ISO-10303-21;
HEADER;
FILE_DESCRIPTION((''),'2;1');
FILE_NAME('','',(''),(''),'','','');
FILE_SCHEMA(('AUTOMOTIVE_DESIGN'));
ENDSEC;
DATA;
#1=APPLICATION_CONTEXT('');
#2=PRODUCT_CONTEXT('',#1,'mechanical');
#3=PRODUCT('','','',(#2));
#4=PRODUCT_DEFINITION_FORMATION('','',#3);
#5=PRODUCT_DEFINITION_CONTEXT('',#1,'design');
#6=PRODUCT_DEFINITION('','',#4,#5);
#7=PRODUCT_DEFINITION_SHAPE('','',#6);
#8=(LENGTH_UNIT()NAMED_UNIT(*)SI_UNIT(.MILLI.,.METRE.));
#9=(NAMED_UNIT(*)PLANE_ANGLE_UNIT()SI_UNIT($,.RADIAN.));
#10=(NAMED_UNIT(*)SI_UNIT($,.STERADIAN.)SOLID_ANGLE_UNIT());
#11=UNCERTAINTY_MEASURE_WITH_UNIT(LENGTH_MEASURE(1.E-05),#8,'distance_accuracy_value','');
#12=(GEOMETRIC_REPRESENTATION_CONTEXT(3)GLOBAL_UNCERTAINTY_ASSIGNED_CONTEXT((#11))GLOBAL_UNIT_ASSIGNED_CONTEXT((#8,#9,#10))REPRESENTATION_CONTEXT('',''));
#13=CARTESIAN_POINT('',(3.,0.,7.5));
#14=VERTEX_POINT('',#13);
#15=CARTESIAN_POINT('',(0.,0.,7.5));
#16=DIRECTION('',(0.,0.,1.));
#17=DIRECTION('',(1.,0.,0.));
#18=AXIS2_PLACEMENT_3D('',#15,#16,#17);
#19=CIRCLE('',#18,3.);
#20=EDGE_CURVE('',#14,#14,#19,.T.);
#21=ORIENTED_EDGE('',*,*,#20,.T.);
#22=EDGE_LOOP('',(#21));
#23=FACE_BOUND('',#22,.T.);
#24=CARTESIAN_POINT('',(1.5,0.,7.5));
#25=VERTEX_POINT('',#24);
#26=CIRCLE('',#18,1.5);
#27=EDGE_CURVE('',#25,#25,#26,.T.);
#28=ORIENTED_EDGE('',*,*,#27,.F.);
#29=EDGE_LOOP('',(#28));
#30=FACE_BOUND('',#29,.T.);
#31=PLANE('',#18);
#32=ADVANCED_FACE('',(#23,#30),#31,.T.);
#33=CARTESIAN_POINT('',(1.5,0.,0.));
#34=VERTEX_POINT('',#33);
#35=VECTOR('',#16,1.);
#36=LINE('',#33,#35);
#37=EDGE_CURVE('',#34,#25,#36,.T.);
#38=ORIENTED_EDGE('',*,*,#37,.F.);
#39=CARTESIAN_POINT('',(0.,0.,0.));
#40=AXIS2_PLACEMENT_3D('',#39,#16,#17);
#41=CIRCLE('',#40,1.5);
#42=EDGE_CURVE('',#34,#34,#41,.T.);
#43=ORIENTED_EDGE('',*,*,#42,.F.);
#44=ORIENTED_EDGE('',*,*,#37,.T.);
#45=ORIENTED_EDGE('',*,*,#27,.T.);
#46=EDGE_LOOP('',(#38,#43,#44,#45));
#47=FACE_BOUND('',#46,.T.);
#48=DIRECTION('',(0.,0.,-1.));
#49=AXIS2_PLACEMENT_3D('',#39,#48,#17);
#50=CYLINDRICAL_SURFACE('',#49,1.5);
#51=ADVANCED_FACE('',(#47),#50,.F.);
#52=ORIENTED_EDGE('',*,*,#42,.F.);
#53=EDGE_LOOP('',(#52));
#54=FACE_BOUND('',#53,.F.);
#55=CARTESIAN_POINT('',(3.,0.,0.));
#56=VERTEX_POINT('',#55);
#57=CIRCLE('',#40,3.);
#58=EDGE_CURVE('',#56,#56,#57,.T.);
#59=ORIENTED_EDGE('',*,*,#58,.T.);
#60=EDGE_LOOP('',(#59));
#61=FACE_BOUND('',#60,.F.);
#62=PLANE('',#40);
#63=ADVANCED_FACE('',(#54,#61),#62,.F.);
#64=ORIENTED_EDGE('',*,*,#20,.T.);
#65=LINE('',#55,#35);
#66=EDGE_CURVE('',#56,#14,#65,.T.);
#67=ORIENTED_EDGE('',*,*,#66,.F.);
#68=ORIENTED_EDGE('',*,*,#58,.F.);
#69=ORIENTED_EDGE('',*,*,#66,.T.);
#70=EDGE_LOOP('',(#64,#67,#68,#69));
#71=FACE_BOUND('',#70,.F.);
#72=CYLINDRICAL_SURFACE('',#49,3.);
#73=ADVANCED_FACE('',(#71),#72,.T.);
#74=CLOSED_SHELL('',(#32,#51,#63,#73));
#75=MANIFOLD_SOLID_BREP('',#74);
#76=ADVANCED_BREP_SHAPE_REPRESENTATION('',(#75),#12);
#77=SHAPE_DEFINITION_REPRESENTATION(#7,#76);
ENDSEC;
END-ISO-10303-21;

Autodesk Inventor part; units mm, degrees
ref_plane "YZ Plane" through (0, 0, 0) normal (1, 0, 0) x (0, 1, 0)
ref_plane "XZ Plane" through (0, 0, 0) normal (0, 1, 0) x (-1, 0, 0)
ref_plane "XY Plane" through (0, 0, 0) normal (0, 0, 1) x (1, 0, 0)
sketch "Sketch1" plane through (0, 0, 0) normal (0, 0, 1) x (1, 0, 0)
  circle A0 centre (0, 0) radius 3
  circle A1 centre (0, 0) radius 1.5
  dimension "d0" = 6
  dimension "d1" = 3
extrude "Extrusion1" add sketch "Sketch1" along normal blind 7.5
properties part number "3DP_ABS_Solenoid_Actuator_Offset_Spacer"
